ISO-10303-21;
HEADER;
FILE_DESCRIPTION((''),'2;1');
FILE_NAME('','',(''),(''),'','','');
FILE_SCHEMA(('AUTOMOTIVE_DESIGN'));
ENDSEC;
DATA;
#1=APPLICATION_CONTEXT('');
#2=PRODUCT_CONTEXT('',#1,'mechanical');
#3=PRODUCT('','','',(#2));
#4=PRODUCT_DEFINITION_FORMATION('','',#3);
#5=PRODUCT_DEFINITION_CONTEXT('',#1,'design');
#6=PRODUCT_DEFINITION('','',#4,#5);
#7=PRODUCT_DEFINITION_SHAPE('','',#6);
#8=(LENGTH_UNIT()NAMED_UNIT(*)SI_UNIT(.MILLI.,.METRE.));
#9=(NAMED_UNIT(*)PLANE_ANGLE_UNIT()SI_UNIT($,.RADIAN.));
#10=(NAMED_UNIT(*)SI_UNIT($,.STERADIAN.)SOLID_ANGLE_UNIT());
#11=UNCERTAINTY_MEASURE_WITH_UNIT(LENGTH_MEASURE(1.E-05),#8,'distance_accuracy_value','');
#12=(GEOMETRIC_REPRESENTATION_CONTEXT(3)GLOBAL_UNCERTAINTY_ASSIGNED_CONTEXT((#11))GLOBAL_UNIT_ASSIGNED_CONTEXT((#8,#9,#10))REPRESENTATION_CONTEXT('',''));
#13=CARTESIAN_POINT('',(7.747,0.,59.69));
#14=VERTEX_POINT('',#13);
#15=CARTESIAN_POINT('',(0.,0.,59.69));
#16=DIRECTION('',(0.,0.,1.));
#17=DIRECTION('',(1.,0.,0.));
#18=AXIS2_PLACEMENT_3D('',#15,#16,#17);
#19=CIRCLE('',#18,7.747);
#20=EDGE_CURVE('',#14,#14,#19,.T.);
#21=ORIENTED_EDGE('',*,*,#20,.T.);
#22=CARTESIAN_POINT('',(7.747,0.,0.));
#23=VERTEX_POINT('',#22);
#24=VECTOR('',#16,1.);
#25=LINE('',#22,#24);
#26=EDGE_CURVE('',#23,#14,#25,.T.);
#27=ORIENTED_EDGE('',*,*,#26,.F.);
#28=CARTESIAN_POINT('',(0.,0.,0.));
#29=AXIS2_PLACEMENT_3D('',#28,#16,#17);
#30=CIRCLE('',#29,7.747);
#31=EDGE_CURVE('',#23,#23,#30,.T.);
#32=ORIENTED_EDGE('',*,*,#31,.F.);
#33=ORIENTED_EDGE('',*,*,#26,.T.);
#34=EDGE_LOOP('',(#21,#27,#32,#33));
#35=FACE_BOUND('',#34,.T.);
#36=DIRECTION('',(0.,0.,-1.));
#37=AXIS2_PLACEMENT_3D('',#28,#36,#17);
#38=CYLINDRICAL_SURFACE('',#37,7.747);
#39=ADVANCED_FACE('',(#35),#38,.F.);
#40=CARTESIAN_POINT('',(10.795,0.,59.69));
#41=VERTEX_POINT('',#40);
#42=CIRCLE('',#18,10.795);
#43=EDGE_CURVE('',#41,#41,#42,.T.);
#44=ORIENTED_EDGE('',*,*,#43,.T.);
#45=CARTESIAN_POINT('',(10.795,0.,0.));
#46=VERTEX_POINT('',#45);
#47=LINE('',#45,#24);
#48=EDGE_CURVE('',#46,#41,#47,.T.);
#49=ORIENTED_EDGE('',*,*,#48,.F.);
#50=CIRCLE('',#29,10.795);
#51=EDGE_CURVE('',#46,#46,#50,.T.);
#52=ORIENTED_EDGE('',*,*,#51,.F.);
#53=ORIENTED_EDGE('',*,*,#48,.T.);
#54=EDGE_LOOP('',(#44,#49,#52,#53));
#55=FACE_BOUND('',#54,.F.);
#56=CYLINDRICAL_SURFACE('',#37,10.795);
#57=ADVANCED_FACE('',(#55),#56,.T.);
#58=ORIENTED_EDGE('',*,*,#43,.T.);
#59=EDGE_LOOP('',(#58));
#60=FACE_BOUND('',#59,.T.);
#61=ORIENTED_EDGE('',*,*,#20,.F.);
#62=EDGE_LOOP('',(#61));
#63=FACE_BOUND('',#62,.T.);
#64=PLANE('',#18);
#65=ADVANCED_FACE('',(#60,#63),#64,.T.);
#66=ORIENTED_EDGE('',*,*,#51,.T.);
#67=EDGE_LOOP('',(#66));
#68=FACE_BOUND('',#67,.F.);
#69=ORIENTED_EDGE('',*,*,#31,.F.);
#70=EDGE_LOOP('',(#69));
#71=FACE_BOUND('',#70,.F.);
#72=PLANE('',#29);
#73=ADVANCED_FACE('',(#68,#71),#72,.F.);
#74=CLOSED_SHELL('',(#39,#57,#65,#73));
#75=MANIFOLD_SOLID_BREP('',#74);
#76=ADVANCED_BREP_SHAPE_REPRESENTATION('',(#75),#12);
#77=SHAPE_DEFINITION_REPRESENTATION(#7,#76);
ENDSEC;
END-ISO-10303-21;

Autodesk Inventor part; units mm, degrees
ref_plane "YZ Plane" through (0, 0, 0) normal (1, 0, 0) x (0, 1, 0)
ref_plane "XZ Plane" through (0, 0, 0) normal (0, 1, 0) x (-1, 0, 0)
ref_plane "XY Plane" through (0, 0, 0) normal (0, 0, 1) x (1, 0, 0)
sketch "Sketch1" plane through (0, 0, 0) normal (0, 0, 1) x (1, 0, 0)
  circle A0 centre (0, 0) radius 7.747
  circle A1 centre (0, 0) radius 10.795
  dimension "d0" = 21.59
  dimension "d2" = 15.494
extrude "Extrusion1" add sketch "Sketch1" along normal blind 59.69
properties part number "0.75 Pipe" material "PVC-Piping"
